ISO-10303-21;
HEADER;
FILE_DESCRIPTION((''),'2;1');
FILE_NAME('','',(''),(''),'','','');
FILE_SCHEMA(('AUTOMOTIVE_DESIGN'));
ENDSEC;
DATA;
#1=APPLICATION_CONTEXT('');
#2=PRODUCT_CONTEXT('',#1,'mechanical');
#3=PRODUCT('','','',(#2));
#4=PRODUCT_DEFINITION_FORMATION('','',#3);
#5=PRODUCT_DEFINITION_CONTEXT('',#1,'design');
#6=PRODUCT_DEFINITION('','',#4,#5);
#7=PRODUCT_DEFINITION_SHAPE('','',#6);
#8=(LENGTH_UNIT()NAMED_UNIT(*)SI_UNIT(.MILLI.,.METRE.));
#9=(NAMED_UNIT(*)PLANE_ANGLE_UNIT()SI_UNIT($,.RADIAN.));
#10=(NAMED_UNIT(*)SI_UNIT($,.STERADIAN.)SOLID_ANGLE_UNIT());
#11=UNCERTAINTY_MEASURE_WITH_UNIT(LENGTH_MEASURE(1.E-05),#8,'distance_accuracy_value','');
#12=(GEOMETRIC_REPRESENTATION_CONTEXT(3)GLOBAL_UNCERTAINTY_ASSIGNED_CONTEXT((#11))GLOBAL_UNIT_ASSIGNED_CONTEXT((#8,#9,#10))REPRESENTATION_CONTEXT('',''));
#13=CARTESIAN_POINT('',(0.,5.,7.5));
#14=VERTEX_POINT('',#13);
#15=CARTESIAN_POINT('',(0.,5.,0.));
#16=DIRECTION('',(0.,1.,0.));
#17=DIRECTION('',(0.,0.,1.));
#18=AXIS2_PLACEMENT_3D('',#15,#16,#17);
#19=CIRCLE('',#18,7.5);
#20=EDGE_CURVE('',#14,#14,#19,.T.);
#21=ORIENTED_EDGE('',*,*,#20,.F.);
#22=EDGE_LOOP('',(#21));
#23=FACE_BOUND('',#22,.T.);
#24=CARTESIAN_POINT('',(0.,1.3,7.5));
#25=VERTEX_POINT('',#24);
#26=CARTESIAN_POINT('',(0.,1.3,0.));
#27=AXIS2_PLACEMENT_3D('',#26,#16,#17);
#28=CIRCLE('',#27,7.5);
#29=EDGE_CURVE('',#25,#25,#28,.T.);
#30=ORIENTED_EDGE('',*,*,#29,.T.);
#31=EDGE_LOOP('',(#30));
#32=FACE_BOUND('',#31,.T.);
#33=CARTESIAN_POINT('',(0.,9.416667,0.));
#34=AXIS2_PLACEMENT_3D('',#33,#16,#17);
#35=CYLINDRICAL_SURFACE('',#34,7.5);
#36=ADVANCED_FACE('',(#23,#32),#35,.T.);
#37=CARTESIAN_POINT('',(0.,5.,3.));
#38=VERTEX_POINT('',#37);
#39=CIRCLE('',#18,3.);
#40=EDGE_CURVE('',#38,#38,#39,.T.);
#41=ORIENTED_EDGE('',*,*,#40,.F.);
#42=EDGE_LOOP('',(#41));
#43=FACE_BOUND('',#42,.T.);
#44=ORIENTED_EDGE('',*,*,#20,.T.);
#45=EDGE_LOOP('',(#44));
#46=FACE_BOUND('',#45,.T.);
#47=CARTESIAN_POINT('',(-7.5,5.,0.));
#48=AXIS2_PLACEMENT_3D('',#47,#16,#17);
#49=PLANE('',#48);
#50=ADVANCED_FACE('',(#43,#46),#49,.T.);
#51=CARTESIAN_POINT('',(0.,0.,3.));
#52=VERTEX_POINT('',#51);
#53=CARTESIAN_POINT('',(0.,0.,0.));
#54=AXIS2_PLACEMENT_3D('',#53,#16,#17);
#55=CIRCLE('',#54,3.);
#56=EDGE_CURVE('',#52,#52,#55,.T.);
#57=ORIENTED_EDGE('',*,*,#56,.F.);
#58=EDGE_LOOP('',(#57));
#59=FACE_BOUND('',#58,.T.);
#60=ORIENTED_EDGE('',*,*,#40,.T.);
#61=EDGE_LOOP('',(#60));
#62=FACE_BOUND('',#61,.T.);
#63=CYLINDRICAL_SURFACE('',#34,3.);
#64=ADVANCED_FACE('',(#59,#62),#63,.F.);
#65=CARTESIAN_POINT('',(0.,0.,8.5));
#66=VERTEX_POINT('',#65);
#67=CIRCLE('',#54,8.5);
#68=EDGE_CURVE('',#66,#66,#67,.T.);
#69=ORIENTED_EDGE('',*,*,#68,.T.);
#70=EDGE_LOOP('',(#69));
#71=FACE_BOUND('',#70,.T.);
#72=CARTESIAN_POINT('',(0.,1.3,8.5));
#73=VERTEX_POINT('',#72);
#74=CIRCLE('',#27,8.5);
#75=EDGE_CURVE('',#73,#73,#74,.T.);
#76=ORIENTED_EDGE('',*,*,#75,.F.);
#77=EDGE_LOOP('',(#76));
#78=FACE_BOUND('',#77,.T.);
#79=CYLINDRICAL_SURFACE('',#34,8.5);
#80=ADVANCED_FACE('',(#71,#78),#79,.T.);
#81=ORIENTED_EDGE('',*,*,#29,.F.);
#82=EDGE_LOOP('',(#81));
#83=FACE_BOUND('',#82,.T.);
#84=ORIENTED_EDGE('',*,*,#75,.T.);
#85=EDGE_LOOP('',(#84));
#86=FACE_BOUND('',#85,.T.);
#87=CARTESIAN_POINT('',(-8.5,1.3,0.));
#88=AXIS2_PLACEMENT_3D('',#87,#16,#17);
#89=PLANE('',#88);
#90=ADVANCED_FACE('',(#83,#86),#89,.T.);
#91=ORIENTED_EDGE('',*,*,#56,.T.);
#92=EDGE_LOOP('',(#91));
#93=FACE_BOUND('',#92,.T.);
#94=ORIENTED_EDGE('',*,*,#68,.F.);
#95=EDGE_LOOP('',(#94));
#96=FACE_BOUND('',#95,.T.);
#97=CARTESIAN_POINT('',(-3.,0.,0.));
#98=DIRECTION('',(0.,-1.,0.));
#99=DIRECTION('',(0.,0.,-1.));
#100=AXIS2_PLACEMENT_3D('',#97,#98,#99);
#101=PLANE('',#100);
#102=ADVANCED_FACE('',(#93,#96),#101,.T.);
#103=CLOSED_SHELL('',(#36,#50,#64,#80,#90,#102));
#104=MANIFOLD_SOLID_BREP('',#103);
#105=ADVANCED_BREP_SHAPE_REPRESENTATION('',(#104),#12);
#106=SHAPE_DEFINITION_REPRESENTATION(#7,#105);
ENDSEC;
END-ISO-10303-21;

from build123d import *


with BuildPart() as part:
    # 草图1 → 旋转1 (revolve)
    with BuildSketch(Plane.XY, mode=Mode.PRIVATE) as revolve_1_sk:
        Polygon((-3, 0), (-8.5, 0), (-8.5, 1.3), (-7.5, 1.3), (-7.5, 5), (-3, 5), align=None)
    revolve(revolve_1_sk.sketch.rotate(Axis((0, 9.416666667, 0), (0, -1, 0)), 270), axis=Axis((0, 9.416666667, 0), (0, -1, 0)))


solid = part.part
